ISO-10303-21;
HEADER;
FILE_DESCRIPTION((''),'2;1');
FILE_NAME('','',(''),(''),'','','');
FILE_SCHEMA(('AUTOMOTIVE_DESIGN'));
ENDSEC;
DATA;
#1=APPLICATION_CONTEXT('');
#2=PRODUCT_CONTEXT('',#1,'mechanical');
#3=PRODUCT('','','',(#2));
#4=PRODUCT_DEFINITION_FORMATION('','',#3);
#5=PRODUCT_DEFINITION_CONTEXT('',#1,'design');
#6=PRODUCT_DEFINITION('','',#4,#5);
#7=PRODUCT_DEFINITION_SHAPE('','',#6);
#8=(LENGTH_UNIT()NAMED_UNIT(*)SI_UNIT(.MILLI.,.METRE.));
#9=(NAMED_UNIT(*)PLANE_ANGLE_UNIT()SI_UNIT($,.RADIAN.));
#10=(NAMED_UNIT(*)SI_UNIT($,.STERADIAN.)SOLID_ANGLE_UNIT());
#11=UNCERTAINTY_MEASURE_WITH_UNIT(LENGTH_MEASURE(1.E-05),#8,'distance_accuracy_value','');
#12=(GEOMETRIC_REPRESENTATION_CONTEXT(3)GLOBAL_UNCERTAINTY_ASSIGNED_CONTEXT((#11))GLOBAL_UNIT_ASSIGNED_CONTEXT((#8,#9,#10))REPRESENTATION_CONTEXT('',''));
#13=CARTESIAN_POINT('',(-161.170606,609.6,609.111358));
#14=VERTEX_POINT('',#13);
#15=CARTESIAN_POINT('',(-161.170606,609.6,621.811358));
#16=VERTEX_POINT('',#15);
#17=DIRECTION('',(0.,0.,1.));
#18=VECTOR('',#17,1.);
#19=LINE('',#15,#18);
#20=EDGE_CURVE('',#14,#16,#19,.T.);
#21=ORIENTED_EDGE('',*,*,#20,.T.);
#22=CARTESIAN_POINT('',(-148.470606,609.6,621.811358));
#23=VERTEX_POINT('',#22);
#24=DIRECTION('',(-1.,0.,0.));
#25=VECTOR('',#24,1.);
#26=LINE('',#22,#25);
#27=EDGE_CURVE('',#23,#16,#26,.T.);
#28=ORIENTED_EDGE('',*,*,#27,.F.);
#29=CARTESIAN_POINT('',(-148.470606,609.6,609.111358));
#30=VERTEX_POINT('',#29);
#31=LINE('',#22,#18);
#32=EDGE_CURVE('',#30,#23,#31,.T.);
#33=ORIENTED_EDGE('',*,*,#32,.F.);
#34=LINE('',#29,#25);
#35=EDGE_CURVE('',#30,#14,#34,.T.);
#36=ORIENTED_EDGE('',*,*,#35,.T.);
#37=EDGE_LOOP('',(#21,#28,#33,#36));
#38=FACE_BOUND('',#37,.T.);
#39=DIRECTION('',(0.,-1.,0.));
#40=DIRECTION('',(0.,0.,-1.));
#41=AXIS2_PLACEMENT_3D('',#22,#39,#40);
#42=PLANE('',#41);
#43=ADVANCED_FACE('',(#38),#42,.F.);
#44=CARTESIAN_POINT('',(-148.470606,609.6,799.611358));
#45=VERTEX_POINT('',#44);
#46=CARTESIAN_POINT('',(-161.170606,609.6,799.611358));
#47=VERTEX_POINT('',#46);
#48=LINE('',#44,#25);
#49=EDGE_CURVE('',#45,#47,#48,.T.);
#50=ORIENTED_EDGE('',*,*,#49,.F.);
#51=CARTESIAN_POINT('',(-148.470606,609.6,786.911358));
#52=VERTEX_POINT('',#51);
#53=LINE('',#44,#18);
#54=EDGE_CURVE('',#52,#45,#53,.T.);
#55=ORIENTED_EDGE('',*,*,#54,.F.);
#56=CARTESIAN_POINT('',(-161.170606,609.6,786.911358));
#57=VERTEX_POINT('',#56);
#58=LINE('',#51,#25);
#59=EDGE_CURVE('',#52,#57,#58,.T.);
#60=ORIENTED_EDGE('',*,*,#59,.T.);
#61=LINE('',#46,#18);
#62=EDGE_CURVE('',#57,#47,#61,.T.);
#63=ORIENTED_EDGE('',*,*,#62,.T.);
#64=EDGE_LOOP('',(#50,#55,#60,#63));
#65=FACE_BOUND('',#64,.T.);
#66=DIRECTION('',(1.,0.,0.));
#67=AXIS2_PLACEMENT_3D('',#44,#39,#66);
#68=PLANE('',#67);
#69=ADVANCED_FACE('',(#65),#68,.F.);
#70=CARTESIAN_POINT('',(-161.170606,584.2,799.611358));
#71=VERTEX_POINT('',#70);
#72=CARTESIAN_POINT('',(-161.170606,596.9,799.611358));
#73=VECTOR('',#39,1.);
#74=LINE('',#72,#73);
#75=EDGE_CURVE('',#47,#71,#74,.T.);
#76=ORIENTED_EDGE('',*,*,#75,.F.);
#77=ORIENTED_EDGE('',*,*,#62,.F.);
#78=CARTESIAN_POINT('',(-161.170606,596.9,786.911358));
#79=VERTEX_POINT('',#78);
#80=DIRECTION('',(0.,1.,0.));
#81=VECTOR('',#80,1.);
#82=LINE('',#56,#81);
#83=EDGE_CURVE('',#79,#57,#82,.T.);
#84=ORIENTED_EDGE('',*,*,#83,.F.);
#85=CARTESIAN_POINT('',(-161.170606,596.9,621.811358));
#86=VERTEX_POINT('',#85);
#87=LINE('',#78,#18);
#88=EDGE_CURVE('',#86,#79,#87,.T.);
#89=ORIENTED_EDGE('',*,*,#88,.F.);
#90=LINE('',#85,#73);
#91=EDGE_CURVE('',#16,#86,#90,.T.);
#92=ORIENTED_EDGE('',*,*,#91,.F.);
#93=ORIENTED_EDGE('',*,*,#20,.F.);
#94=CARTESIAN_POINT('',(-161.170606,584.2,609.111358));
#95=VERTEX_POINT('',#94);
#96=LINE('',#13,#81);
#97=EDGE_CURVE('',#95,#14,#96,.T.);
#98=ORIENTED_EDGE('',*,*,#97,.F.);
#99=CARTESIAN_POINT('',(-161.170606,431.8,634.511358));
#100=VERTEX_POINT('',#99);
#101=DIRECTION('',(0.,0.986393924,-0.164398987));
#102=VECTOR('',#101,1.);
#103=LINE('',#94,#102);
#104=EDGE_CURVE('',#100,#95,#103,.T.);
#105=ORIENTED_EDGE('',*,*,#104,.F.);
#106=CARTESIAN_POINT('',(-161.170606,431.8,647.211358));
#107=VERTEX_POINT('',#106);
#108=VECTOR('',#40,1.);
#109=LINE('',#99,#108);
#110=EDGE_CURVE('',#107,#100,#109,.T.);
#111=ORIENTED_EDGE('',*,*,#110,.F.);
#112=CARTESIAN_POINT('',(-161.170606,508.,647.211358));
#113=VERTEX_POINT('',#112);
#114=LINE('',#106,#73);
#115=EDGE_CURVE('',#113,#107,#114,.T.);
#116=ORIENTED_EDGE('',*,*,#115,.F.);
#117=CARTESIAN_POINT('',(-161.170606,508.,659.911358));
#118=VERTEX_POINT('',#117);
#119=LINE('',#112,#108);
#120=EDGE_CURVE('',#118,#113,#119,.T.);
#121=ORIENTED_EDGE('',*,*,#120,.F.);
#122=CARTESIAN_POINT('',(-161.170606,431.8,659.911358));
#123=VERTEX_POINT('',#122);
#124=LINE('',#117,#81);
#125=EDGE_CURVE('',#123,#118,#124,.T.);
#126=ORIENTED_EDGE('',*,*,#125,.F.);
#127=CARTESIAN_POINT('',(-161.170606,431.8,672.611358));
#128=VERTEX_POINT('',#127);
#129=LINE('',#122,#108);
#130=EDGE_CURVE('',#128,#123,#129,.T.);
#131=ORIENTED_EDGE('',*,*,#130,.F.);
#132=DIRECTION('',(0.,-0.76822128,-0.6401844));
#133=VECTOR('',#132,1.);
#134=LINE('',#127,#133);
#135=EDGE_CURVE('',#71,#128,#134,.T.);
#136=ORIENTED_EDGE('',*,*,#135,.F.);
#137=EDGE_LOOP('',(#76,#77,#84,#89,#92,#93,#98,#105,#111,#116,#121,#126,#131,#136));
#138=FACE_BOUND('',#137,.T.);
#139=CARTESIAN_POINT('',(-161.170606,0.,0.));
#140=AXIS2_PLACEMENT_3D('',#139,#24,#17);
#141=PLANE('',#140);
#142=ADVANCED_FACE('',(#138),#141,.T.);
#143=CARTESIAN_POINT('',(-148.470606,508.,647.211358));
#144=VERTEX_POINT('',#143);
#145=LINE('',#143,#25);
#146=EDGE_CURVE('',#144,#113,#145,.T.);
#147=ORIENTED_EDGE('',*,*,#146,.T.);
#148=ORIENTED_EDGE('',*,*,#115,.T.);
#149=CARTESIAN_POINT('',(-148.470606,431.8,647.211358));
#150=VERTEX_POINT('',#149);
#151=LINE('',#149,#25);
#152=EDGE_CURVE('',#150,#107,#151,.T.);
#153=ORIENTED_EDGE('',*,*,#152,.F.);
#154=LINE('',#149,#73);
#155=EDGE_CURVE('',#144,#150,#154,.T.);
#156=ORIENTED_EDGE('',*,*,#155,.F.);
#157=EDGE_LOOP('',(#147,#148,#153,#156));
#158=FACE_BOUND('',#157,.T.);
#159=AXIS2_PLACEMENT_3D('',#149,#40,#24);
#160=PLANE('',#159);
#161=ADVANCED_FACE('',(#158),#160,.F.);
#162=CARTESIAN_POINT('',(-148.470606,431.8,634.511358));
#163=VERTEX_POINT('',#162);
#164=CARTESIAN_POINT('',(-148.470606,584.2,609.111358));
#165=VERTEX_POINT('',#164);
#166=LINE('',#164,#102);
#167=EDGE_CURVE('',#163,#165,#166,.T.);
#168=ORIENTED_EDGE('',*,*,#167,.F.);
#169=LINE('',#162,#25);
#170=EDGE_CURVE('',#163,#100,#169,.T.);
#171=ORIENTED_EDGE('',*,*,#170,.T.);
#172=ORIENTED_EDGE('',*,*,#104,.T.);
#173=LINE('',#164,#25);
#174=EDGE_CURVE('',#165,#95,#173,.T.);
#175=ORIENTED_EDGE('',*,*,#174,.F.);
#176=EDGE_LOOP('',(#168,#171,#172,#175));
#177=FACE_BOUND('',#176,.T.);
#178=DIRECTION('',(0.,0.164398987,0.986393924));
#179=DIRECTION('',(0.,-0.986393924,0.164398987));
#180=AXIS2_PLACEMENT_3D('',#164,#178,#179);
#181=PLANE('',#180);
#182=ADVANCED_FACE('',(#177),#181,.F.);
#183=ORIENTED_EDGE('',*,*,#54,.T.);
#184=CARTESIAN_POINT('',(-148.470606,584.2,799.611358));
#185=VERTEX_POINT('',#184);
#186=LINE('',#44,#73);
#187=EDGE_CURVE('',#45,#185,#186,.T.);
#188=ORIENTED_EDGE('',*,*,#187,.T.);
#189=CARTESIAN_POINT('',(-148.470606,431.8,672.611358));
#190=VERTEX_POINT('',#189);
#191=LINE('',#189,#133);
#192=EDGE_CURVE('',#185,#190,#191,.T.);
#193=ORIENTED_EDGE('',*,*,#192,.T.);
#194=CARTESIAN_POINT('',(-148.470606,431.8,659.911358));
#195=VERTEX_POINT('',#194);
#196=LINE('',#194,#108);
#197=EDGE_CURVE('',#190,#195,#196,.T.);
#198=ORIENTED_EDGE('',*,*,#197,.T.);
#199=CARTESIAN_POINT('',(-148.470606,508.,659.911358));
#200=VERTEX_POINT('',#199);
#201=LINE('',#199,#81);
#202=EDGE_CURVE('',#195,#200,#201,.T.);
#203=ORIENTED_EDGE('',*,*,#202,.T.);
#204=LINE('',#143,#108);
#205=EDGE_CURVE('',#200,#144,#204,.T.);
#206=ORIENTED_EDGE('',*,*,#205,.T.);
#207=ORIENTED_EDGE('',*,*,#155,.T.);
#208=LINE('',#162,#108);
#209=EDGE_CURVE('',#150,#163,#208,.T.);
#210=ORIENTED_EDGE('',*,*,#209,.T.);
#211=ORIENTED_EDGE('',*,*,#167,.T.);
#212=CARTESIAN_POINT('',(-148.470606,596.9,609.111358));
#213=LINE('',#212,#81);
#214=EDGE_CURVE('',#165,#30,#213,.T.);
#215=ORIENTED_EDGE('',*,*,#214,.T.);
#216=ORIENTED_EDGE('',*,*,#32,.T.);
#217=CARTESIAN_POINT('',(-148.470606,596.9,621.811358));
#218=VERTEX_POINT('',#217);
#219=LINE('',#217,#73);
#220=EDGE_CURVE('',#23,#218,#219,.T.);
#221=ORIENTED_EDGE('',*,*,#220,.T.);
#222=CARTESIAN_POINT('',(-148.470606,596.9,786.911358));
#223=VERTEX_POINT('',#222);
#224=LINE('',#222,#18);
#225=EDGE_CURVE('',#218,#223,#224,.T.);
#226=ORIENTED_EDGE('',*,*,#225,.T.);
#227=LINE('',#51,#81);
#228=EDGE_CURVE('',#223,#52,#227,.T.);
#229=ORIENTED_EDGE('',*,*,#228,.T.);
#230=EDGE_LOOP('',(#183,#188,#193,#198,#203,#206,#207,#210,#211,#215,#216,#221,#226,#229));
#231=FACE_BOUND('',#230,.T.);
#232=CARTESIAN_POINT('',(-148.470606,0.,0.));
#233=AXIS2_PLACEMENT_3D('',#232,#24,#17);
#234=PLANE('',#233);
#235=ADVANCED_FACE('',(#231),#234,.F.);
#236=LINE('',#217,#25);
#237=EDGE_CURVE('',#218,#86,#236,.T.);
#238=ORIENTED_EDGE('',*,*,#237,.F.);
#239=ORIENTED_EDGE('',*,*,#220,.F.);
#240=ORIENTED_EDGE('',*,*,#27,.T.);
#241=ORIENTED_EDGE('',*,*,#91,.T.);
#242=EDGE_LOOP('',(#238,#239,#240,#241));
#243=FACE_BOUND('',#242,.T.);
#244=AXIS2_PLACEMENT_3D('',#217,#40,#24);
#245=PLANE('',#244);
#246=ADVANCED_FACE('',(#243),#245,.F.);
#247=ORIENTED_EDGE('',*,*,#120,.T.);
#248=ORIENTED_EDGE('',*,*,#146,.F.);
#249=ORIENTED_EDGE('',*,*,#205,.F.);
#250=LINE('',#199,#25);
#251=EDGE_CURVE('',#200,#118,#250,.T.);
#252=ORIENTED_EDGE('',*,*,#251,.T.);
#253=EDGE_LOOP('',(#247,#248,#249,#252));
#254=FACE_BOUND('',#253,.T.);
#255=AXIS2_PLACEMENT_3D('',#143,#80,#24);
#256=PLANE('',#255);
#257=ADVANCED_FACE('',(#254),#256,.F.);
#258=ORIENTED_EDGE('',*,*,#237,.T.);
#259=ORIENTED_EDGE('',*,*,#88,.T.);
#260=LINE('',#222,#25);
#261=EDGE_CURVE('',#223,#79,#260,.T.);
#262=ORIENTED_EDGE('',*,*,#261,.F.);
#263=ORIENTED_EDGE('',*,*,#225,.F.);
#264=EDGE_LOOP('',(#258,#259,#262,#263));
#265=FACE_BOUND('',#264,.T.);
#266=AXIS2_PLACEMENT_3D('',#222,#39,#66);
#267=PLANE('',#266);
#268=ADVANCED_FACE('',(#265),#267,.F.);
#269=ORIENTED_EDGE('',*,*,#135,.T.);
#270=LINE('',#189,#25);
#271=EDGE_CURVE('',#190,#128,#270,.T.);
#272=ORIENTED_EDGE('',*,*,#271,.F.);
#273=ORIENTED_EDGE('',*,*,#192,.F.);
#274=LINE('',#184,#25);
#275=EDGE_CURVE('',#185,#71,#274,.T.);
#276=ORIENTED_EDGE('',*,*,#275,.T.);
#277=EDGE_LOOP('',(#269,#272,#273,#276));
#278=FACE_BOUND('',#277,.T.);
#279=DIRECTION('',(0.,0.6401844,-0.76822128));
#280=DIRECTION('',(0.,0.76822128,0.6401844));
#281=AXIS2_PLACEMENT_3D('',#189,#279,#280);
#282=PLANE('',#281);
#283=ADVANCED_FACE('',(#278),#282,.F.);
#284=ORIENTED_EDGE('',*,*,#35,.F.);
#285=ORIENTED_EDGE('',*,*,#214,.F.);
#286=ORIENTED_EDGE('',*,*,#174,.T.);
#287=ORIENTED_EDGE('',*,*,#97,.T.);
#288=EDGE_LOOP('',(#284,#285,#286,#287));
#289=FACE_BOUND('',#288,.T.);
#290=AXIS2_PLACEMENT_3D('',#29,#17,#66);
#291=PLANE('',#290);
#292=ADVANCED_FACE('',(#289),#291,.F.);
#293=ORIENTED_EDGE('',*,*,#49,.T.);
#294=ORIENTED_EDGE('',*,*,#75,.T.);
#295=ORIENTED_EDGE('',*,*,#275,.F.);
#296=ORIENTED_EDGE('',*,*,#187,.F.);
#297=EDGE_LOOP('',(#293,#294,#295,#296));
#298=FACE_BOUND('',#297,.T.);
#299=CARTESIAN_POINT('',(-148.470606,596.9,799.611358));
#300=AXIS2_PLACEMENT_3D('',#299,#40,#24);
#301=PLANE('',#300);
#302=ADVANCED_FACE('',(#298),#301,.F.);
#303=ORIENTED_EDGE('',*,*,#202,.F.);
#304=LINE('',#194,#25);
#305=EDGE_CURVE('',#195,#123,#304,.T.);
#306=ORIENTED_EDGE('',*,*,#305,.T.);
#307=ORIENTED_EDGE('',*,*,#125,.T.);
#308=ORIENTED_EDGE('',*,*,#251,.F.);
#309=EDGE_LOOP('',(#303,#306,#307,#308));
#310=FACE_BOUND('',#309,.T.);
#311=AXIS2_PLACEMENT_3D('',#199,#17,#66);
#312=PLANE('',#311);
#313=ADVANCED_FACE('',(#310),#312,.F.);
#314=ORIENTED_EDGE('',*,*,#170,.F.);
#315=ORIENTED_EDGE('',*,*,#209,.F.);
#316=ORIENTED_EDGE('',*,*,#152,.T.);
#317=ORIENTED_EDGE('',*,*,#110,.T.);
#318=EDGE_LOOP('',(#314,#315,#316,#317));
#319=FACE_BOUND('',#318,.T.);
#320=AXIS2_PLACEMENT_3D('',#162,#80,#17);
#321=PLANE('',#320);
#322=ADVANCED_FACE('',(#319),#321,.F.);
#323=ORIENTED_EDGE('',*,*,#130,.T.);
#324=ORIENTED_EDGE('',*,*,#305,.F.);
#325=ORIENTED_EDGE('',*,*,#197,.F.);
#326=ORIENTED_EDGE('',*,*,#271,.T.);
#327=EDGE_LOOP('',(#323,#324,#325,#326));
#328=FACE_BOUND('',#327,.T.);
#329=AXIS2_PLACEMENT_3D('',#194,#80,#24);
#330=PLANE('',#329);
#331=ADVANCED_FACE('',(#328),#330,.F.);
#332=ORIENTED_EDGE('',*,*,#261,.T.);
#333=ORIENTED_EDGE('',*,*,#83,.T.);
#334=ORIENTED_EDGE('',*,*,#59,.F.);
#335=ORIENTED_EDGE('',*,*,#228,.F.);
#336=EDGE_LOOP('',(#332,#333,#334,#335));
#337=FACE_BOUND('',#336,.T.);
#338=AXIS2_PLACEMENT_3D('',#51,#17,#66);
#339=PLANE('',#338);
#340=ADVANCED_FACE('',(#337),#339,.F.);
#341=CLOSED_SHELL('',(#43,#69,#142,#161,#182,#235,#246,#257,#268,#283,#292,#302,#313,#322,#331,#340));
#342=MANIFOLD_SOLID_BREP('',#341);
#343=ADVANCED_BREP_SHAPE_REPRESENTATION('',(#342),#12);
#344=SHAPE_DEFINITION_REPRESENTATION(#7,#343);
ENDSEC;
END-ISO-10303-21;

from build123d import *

# Parameters (mm, degrees)
BOSS_EXTRUDE1_DEPTH = 12.7


with BuildPart() as part:
    # Sketch1 → Boss-Extrude1 (new body)
    with BuildSketch(Plane(origin=(-161.170606325, 0, 0), x_dir=(0, 0, -1), z_dir=(1, 0, 0))):
        Polygon((-799.611357684, 609.6), (-786.911357684, 609.6), (-786.911357684, 596.9), (-621.811357684, 596.9), (-621.811357684, 609.6), (-609.111357684, 609.6), (-609.111357684, 596.9), (-609.111357684, 584.2), (-634.511357684, 431.8), (-647.211357684, 431.8), (-647.211357684, 508), (-659.911357684, 508), (-659.911357684, 431.8), (-672.611357684, 431.8), (-799.611357684, 584.2), (-799.611357684, 596.9), align=None)
    extrude(amount=BOSS_EXTRUDE1_DEPTH)


solid = part.part
